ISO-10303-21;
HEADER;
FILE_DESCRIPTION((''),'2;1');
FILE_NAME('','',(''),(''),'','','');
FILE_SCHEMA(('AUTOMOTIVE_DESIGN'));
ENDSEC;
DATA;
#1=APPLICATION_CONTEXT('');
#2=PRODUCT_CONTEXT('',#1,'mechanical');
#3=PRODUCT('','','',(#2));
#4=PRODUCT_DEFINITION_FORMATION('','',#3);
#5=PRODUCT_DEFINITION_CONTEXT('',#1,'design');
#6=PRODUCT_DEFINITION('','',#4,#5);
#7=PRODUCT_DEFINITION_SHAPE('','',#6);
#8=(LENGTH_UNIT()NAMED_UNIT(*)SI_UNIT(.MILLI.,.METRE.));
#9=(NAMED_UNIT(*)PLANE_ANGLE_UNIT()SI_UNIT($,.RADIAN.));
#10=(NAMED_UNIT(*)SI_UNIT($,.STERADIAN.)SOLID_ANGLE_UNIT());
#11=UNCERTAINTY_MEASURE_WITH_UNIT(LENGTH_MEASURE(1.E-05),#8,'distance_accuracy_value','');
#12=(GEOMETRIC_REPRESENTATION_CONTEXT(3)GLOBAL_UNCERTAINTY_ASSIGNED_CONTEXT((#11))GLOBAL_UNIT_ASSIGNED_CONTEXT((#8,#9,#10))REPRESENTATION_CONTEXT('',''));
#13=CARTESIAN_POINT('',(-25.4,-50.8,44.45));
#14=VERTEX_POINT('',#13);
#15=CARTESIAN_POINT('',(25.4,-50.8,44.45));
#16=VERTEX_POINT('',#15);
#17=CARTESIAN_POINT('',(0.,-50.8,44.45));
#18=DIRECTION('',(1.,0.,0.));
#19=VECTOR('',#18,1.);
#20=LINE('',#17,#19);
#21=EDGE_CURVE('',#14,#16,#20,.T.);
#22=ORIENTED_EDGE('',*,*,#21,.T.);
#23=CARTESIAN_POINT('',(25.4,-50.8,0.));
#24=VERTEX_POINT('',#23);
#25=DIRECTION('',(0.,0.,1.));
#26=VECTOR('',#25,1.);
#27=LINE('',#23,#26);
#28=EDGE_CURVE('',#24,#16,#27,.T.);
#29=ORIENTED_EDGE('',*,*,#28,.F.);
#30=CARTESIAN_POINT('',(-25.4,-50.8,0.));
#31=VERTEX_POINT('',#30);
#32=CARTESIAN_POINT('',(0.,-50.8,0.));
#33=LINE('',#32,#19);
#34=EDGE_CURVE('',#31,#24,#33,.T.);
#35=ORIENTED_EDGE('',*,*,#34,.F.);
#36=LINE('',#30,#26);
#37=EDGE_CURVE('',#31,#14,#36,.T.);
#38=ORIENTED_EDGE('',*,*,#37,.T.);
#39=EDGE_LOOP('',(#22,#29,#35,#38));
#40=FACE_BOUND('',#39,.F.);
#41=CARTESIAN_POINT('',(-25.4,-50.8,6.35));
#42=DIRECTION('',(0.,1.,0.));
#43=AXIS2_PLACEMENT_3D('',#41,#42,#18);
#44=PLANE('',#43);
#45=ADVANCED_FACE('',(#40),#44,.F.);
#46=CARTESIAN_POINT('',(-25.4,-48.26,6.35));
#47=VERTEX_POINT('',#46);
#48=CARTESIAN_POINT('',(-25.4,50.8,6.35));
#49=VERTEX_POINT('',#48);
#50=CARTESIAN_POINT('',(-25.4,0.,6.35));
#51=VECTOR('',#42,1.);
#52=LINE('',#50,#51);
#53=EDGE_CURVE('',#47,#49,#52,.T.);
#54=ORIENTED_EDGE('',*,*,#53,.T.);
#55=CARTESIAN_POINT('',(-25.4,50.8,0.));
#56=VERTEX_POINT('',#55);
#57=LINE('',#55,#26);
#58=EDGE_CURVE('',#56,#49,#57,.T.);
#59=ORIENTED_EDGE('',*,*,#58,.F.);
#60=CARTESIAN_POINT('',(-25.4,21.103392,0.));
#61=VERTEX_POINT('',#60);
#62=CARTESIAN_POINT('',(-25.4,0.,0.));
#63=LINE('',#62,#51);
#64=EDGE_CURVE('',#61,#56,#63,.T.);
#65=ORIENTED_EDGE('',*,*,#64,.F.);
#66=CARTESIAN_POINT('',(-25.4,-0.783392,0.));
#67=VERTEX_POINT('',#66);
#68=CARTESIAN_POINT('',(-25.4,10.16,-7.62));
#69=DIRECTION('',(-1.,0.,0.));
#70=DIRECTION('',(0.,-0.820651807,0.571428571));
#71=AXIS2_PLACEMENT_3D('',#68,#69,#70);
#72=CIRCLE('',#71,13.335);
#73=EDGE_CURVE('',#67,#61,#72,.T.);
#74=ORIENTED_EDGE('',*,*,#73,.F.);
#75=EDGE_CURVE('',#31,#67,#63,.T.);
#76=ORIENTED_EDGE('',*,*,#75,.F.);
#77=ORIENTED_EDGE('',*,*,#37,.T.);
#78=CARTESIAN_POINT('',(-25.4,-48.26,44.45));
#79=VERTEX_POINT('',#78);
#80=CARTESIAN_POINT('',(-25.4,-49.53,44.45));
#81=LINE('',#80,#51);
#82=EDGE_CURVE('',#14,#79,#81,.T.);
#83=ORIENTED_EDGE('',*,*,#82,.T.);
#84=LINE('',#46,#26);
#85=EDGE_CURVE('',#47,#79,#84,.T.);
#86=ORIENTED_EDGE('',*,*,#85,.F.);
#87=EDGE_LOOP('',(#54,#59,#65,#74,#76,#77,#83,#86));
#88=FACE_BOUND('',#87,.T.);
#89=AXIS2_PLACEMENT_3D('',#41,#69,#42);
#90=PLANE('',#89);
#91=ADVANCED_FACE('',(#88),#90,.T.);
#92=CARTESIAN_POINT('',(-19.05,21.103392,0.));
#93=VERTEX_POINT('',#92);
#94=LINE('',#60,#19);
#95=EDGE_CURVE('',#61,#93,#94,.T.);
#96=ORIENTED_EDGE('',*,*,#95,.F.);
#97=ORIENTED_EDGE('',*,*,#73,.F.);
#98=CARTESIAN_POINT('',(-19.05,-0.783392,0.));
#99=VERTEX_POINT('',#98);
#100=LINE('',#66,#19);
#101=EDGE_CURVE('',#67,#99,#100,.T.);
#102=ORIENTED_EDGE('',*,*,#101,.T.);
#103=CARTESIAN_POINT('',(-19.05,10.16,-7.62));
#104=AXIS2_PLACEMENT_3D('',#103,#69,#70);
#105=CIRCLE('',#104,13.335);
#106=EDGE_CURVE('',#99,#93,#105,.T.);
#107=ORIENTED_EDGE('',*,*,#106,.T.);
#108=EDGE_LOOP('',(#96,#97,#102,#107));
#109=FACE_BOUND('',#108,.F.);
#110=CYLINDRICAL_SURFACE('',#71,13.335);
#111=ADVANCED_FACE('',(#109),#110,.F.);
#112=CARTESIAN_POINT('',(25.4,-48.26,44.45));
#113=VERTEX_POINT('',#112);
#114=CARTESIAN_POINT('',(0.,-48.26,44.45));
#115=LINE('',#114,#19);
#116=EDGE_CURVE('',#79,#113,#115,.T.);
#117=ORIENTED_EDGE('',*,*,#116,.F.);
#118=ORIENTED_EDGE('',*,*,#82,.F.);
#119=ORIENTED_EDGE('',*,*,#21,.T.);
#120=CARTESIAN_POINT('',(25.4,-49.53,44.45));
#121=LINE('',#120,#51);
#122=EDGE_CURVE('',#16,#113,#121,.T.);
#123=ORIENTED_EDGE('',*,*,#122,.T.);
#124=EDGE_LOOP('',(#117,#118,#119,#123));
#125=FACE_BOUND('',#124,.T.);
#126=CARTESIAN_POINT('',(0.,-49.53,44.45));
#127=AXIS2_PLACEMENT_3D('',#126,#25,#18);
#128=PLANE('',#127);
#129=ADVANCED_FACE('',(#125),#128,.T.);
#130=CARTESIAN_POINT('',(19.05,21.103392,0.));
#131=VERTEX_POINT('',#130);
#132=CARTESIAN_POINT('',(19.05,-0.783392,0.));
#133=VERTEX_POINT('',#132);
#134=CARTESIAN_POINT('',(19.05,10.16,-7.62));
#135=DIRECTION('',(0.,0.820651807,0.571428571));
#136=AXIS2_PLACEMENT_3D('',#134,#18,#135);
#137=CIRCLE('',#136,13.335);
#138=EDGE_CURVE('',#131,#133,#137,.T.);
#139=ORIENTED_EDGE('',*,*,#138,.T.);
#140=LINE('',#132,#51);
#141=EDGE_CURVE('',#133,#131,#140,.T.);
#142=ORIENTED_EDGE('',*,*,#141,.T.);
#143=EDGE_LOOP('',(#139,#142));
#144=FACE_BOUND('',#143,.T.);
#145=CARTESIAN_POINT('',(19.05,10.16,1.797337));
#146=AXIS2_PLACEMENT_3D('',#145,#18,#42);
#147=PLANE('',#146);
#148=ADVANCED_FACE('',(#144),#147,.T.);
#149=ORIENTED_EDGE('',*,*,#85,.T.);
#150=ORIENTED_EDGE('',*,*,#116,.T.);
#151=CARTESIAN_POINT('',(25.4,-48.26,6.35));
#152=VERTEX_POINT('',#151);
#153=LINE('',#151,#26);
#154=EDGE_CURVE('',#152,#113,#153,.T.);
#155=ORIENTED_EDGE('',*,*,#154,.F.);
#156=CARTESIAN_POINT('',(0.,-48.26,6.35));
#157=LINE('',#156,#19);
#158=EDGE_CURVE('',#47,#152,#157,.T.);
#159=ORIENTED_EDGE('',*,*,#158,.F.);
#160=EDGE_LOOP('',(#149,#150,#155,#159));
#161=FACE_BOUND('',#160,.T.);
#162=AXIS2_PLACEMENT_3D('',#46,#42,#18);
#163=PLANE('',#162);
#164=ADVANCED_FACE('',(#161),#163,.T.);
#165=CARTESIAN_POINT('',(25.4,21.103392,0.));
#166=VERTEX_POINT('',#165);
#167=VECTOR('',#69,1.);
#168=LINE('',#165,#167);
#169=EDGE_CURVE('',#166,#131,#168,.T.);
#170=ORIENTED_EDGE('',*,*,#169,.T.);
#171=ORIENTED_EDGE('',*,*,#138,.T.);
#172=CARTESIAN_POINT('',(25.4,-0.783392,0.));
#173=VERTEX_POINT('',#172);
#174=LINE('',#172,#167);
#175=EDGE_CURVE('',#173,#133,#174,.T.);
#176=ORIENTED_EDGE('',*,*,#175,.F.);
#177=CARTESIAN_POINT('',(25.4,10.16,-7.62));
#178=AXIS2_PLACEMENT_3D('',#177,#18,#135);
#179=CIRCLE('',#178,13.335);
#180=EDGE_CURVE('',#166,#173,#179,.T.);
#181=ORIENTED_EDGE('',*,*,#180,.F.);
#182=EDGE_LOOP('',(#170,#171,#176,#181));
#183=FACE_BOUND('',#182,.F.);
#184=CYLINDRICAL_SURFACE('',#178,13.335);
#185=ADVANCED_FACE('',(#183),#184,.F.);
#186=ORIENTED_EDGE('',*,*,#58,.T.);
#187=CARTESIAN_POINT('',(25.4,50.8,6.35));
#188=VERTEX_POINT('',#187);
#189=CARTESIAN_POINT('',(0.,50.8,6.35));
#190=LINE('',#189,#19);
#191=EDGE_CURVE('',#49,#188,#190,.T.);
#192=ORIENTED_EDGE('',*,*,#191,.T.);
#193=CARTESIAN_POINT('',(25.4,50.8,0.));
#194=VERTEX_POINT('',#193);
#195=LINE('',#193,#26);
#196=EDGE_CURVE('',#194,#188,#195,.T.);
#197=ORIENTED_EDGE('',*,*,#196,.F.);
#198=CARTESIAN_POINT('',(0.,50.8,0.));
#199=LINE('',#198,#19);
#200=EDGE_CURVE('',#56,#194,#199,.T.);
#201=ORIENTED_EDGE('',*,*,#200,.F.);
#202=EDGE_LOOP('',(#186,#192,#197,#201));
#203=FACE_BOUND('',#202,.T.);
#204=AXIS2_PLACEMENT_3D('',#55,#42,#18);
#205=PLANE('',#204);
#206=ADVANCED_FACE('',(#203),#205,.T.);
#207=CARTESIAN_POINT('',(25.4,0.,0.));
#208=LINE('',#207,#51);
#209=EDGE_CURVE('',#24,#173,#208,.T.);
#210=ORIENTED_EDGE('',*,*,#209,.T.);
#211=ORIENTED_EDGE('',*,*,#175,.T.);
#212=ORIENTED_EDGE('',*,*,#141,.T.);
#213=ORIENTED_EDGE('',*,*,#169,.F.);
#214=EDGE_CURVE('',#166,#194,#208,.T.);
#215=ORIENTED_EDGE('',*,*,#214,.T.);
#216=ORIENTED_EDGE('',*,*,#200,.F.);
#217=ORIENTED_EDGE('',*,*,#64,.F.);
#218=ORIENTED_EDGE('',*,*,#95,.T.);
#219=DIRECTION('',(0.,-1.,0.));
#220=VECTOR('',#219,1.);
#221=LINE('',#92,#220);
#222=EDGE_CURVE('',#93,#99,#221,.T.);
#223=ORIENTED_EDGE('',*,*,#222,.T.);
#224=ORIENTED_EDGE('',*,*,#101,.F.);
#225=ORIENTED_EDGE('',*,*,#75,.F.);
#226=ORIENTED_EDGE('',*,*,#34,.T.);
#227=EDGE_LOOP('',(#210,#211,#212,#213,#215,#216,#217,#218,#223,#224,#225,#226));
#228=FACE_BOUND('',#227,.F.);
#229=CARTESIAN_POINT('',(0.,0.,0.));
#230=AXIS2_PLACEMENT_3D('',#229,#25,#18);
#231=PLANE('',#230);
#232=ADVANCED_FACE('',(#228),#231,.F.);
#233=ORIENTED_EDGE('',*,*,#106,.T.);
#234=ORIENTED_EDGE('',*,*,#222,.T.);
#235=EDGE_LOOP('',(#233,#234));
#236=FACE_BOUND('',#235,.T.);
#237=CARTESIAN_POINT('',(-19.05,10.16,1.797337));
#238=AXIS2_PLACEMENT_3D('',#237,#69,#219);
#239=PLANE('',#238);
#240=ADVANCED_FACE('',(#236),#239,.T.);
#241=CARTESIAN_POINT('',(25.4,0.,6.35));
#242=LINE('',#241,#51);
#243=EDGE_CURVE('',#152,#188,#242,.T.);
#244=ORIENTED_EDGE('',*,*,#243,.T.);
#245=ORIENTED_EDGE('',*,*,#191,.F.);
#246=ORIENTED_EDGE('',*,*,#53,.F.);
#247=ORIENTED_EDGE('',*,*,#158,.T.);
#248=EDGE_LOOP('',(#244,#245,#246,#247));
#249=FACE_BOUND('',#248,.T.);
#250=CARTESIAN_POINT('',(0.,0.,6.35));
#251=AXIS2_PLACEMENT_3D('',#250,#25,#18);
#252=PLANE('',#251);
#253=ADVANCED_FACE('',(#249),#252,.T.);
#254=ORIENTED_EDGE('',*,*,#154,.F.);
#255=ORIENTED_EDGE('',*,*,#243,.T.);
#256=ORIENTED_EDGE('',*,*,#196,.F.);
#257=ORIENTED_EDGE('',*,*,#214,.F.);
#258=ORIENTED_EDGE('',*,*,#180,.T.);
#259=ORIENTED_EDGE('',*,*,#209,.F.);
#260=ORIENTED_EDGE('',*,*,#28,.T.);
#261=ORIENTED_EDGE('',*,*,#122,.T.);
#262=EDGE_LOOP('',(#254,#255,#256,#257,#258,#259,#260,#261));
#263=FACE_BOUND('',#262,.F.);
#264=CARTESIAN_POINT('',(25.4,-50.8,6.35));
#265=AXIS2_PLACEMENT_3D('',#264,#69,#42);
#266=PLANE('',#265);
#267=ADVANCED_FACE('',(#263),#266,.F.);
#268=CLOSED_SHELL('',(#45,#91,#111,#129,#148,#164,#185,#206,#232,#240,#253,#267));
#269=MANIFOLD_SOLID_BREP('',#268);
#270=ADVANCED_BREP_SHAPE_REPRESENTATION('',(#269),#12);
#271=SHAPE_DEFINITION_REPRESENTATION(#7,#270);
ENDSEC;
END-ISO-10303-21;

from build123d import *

# Parameters (mm, degrees)
F0_W     = 50.8
F0_H     = 101.6
F1_DEPTH = 6.35
F2_W     = 50.8
F2_H     = 2.54
F3_DEPTH = 38.1
F6_DEPTH = 6.35
F7_DEPTH = 6.35


with BuildPart() as f1:
    # F0 (on Top) → F1 (new body)
    with BuildSketch(Plane.XY):
        Rectangle(F0_W, F0_H)
    extrude(amount=F1_DEPTH)

    # F2 (on face) → F3 (join)
    with BuildSketch(Plane.XY.offset(6.35)):
        with Locations((0, -49.53)):
            Rectangle(F2_W, F2_H)
    extrude(amount=F3_DEPTH)

    # F5 (on face) → F6 (cut)
    with BuildSketch(Plane.YZ.offset(25.4)):
        with BuildLine():
            Line((-0.7833918417, 0), (21.1033918417, 0))
            ThreePointArc((21.1033918417, 0), (10.16, 5.715), (-0.7833918417, 0))
        make_face()
    extrude(amount=-F6_DEPTH, mode=Mode.SUBTRACT)

    # F4 (on face) → F7 (cut)
    with BuildSketch(Plane(origin=(-25.4, 0, 0), x_dir=(0, -1, 0), z_dir=(-1, 0, 0))):
        with BuildLine():
            Line((-21.1033918417, 0), (0.7833918417, 0))
            ThreePointArc((0.7833918417, 0), (-10.16, 5.715), (-21.1033918417, 0))
        make_face()
    extrude(amount=-F7_DEPTH, mode=Mode.SUBTRACT)


solid = f1.part
